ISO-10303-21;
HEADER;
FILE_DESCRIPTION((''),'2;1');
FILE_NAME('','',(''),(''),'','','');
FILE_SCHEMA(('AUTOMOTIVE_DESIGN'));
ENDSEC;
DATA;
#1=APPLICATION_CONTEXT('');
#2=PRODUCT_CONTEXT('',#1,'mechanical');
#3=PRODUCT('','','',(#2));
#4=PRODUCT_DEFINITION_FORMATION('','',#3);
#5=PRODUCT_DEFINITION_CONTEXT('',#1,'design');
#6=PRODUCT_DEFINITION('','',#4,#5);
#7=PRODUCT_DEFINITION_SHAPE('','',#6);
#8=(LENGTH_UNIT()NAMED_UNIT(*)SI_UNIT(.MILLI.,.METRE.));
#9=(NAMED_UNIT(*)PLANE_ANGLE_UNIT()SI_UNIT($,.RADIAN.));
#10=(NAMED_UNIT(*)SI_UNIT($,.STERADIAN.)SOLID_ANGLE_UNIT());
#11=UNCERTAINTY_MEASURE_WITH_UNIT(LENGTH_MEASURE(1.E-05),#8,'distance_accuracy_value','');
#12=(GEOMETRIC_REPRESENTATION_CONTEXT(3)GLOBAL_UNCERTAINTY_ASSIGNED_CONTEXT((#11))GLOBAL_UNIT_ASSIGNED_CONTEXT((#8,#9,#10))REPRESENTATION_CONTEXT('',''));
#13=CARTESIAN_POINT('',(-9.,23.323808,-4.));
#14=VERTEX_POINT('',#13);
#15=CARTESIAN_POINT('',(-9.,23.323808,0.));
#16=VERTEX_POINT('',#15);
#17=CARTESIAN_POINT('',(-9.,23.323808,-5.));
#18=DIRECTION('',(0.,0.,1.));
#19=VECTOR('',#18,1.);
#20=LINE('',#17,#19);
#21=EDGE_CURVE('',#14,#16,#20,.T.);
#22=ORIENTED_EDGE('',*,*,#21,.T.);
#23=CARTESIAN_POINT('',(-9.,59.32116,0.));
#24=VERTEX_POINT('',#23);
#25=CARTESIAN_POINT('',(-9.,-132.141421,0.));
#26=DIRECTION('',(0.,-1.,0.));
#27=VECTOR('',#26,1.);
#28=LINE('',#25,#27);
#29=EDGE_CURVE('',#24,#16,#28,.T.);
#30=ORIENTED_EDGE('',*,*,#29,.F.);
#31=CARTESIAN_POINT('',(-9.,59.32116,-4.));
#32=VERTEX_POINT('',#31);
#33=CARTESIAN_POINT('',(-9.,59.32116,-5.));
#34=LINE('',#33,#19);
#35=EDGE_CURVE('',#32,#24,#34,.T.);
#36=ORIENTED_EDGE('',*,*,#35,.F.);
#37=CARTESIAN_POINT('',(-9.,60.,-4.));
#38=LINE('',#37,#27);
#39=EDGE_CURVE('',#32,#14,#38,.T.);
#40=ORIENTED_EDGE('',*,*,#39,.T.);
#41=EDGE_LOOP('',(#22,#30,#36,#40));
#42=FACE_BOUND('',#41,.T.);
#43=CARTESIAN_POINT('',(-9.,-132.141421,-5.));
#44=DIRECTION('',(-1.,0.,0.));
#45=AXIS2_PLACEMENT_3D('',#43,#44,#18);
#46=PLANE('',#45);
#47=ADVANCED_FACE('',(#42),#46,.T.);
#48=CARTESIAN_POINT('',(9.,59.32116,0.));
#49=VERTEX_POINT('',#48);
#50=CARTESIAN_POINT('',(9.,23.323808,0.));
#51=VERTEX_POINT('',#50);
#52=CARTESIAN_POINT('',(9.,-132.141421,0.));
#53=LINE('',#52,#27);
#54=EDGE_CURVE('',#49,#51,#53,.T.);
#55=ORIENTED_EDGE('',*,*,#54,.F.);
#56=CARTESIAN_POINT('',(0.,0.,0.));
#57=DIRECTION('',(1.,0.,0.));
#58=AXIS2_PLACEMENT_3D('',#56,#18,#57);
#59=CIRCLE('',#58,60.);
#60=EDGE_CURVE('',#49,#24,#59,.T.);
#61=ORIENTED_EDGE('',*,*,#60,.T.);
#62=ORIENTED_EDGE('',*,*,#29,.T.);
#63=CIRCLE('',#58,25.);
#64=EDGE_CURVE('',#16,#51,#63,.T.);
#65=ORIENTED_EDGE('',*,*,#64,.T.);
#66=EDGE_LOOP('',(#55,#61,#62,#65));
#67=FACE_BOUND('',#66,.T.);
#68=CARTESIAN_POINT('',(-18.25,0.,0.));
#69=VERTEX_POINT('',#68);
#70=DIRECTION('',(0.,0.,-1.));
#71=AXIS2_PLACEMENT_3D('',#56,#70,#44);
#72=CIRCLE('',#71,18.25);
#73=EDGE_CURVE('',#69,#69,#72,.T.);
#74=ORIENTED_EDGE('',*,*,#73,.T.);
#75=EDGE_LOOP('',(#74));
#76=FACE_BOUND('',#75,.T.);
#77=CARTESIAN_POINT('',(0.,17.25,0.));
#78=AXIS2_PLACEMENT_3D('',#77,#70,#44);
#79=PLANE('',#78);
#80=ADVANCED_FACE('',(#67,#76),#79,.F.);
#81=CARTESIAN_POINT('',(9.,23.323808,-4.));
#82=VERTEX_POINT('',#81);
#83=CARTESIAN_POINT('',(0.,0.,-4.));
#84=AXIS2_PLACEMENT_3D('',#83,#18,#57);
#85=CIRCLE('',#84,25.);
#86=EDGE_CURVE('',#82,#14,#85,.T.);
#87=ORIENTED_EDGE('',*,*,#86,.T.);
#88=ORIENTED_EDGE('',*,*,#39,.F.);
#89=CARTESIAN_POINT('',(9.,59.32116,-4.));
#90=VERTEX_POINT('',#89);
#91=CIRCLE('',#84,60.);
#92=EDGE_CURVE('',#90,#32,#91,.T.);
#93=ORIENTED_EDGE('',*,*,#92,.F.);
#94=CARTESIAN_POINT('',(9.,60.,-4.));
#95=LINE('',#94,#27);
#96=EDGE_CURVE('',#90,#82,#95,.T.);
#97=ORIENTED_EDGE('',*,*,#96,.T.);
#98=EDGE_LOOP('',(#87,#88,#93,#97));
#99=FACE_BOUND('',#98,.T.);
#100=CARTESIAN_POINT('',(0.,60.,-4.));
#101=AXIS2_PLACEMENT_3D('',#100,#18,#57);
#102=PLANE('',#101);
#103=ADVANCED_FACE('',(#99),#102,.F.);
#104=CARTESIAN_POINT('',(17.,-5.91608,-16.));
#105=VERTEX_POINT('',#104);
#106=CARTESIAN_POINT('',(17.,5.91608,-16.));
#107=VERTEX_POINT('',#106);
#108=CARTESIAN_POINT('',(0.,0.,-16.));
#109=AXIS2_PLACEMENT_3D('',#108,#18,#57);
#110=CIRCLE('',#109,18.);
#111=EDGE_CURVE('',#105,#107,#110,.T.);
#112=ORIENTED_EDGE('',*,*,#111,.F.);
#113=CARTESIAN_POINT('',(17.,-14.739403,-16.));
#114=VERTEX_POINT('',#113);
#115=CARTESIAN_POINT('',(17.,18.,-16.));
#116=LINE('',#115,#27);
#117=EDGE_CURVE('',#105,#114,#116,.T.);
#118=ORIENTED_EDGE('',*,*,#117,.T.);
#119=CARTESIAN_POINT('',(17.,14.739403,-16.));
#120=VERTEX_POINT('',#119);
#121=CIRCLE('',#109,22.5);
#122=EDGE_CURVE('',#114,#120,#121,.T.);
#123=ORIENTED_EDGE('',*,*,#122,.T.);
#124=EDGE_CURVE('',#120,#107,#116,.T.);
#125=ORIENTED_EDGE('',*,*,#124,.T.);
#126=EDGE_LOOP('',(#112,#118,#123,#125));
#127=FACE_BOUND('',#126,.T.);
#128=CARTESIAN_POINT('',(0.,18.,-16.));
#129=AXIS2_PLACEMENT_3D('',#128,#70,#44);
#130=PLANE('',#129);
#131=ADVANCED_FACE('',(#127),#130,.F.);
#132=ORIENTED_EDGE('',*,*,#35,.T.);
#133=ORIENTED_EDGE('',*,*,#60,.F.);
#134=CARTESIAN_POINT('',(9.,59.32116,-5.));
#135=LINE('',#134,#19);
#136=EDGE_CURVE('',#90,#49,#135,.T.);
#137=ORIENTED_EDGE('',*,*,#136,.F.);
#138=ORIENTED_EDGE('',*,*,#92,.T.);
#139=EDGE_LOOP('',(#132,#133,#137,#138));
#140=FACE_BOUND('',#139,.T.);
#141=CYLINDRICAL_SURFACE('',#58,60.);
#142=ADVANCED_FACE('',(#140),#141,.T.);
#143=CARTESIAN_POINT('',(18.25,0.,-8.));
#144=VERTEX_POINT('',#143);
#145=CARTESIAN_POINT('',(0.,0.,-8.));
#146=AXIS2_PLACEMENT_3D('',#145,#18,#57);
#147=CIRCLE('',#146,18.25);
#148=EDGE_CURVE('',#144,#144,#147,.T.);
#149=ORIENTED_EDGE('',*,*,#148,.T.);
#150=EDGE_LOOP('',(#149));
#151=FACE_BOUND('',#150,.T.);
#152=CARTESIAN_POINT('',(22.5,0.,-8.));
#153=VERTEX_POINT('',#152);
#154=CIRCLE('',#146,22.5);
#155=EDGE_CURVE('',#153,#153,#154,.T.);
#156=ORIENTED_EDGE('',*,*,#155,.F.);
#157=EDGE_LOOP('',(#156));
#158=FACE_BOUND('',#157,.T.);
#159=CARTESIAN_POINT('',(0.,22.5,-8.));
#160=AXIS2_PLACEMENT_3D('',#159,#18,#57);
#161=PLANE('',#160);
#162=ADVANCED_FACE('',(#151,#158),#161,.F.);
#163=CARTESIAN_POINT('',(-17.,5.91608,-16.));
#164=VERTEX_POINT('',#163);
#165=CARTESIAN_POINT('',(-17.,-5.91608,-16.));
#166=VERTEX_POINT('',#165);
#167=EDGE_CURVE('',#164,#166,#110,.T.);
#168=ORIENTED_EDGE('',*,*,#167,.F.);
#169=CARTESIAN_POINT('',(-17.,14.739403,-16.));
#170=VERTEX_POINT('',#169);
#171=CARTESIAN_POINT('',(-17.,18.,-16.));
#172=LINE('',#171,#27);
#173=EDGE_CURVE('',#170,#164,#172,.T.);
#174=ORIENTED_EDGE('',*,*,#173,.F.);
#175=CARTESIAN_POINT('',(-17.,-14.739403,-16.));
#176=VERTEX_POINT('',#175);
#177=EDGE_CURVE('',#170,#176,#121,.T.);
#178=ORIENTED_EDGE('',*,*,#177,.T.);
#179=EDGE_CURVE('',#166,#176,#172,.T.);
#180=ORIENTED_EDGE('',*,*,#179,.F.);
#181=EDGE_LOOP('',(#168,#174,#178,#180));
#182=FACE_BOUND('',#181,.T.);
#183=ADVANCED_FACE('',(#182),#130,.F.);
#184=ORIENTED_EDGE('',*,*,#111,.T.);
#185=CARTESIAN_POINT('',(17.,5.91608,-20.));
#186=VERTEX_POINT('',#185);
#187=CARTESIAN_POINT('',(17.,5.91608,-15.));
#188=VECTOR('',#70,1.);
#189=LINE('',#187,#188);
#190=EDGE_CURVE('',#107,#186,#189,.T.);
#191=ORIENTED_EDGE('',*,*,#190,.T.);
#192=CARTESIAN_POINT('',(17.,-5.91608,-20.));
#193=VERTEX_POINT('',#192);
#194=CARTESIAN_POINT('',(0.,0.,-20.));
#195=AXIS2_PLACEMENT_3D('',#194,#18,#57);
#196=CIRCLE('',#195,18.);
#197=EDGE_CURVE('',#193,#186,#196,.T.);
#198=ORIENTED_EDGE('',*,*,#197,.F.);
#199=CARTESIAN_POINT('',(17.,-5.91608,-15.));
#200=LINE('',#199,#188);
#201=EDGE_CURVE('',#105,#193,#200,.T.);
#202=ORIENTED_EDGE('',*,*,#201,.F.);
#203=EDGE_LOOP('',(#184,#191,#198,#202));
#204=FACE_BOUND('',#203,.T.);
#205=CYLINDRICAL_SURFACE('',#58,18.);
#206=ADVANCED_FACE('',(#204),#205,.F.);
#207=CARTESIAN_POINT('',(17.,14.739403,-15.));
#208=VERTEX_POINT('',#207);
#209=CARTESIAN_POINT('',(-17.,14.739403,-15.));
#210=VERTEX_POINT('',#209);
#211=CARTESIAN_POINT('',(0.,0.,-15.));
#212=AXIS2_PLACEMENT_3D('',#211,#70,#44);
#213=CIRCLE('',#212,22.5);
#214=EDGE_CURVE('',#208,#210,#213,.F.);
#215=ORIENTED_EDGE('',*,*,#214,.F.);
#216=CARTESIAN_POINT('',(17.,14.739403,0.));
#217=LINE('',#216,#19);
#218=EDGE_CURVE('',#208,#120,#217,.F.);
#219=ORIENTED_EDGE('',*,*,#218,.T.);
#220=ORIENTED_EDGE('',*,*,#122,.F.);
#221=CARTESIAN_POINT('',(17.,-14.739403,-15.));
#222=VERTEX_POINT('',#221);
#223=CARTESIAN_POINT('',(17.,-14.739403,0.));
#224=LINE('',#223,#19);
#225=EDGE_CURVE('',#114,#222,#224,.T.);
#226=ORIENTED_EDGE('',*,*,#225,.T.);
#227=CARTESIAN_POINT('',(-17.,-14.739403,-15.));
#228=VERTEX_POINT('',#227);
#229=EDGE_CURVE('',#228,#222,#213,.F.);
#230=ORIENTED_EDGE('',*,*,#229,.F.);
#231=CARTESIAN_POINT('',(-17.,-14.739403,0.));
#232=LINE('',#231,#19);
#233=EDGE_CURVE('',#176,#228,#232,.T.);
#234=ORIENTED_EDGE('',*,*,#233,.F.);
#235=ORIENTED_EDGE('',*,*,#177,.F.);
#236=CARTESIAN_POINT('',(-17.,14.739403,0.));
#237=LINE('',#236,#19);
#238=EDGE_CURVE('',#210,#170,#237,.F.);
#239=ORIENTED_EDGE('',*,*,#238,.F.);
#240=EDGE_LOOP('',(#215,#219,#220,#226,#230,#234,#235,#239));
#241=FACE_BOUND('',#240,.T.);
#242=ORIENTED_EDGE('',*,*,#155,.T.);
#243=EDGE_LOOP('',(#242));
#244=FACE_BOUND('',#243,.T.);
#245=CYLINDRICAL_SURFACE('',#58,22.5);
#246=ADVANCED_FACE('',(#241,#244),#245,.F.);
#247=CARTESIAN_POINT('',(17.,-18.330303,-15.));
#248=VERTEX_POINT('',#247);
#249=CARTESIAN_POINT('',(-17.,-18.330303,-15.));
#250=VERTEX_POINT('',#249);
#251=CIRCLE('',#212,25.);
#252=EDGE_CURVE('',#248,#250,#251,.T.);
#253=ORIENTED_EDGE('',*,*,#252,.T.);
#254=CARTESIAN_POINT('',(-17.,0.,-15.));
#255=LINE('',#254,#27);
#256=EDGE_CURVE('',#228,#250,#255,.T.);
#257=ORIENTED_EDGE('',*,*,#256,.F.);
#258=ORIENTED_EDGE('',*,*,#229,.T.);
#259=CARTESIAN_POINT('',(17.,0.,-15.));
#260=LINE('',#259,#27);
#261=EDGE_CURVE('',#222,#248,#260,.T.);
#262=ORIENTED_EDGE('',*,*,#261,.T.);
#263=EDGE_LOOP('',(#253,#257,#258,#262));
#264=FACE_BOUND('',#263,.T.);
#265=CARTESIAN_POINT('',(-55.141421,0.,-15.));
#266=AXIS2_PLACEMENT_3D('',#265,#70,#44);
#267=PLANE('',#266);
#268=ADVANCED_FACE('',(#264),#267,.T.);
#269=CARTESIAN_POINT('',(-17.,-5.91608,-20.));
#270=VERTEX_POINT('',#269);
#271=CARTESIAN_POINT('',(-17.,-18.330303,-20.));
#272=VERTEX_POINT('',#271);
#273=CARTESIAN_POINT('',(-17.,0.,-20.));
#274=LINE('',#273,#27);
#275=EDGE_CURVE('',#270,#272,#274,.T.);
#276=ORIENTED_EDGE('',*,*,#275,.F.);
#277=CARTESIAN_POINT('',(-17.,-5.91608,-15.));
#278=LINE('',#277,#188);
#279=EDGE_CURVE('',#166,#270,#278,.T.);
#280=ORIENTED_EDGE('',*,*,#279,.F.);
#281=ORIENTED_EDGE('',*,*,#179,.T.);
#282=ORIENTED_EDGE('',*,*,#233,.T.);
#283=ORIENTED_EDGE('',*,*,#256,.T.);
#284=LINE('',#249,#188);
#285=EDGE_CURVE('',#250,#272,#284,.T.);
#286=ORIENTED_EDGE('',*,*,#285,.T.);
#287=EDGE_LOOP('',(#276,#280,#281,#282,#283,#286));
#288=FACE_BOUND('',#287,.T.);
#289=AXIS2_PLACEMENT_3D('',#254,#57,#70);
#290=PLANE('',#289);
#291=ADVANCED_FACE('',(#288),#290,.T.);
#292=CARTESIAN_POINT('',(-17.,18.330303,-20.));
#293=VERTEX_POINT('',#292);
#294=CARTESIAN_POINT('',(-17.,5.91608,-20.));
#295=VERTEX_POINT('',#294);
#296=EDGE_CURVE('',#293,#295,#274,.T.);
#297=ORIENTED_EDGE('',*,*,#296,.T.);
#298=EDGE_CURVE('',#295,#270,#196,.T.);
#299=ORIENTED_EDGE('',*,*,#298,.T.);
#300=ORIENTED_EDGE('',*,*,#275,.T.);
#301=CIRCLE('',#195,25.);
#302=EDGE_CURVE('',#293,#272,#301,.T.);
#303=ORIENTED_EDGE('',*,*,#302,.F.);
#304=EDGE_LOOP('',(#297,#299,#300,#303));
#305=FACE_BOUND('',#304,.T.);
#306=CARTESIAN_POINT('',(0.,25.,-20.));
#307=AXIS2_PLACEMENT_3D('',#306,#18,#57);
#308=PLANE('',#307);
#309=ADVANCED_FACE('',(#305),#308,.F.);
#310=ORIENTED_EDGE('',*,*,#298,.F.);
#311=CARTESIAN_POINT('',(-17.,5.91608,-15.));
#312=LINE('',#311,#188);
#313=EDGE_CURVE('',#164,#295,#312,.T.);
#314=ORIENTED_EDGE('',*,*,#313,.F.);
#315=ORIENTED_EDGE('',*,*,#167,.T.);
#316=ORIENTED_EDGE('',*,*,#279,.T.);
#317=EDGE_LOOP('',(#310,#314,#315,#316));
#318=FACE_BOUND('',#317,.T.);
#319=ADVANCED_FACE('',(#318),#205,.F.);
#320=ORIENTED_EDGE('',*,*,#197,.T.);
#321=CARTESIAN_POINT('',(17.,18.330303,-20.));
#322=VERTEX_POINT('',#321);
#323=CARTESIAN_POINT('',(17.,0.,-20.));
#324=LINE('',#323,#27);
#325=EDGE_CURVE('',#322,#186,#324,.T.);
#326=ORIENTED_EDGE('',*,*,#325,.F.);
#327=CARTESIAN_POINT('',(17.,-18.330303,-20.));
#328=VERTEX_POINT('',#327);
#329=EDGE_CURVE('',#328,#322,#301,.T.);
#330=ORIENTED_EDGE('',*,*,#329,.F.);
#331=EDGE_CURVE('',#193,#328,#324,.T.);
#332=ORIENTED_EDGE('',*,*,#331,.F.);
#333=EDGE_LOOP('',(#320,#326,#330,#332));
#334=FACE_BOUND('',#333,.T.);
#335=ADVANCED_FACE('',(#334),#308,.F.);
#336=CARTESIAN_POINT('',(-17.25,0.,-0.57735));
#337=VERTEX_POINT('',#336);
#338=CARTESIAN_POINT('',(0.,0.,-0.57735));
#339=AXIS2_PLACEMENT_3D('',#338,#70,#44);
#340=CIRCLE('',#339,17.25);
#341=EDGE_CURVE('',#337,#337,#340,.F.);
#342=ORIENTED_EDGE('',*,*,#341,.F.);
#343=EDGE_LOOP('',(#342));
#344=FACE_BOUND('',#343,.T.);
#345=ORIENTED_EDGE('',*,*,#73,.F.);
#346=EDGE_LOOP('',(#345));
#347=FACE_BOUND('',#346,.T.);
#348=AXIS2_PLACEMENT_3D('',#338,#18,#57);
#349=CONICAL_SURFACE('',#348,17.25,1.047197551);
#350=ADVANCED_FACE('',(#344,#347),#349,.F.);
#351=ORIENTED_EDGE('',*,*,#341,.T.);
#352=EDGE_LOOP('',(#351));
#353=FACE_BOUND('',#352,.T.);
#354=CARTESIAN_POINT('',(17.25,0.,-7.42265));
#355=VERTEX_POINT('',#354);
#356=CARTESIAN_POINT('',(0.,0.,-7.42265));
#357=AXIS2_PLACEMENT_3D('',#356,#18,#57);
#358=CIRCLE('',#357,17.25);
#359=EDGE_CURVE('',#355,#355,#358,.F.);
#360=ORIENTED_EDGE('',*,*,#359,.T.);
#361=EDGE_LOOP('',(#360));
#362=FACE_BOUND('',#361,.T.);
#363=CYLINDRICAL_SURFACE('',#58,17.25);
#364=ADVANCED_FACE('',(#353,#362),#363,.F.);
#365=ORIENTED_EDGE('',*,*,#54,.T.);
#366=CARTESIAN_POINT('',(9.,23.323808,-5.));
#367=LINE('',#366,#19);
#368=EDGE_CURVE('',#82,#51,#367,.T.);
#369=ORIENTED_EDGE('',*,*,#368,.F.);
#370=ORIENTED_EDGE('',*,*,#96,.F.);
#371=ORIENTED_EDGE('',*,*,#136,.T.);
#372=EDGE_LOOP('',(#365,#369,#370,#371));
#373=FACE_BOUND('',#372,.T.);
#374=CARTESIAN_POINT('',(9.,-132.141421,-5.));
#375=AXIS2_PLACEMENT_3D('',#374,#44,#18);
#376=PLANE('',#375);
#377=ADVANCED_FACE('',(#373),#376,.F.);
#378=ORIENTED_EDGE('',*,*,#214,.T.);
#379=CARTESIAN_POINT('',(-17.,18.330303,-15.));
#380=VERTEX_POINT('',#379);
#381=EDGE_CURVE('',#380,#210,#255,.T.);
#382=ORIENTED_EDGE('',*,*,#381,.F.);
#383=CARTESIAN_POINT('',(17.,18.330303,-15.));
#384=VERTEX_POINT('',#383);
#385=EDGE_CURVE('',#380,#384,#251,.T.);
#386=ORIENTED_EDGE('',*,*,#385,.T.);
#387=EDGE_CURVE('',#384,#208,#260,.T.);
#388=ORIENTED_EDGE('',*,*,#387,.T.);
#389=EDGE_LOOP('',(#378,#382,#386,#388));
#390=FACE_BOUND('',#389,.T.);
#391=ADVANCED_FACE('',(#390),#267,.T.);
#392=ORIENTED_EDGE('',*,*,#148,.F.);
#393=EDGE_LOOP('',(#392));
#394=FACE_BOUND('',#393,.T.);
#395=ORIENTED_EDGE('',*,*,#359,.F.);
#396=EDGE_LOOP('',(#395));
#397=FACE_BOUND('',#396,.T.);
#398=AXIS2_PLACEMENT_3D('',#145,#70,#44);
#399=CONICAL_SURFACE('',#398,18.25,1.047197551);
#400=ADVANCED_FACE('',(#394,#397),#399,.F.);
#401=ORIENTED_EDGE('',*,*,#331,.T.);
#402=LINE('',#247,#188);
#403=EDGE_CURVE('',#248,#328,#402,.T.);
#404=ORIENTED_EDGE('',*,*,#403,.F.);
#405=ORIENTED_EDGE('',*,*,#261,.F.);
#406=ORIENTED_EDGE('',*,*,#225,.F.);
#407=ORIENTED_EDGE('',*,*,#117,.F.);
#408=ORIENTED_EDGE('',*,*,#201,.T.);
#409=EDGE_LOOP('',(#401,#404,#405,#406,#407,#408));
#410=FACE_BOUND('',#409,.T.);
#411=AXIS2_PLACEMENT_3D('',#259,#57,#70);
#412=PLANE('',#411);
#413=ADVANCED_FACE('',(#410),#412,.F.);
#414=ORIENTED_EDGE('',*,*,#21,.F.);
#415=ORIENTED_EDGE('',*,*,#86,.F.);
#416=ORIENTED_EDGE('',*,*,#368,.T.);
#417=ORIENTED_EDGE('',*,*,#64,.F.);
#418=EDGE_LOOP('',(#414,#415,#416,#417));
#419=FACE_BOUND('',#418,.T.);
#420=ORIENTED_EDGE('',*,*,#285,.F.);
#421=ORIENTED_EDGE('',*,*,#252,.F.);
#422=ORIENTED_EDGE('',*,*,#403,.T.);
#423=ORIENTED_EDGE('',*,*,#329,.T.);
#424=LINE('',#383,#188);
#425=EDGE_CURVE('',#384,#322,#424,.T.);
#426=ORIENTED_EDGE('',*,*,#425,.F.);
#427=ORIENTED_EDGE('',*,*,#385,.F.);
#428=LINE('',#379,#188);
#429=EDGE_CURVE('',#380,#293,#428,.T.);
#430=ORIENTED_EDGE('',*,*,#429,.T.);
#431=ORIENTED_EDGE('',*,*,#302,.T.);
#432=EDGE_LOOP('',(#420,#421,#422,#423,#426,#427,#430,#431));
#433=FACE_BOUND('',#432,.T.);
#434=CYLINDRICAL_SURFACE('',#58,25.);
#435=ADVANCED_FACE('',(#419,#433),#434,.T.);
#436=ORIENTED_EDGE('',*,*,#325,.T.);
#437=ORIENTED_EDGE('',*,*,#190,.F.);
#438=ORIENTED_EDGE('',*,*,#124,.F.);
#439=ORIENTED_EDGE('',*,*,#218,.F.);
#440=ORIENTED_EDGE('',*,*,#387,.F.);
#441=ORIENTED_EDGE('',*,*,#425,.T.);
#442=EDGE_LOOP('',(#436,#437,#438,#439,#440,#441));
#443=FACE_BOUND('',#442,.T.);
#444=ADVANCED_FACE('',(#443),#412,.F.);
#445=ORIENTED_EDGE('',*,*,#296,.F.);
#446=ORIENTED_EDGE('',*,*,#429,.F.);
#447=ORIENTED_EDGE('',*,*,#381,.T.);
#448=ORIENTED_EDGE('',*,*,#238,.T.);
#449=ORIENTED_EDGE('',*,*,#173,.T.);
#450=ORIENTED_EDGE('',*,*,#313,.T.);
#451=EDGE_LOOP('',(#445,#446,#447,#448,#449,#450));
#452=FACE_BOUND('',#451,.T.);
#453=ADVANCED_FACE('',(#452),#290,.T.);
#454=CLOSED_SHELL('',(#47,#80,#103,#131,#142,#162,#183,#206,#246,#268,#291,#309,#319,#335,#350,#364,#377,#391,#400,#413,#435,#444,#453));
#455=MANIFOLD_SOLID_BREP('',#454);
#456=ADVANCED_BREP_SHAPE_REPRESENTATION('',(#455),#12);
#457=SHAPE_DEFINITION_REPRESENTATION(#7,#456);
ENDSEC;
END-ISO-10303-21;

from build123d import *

# Parameters (mm, degrees)
CHAMFER_1_SIZE         = 1
CHAMFER_1_SIZE2        = 0.577350269
CHAMFER_1_PART_2_SIZE  = 1
CHAMFER_1_PART_2_SIZE2 = 0.577350269
CUT_EXTRUDE_1_DEPTH    = 5
CUT_EXTRUDE_2_DEPTH    = 5


with BuildPart() as part:
    # Эскиз1 → Повернуть1 (revolve)
    with BuildSketch(Plane(origin=(0, 0, 0), x_dir=(0, 0, -1), z_dir=(1, 0, 0))):
        Polygon((0, 17.25), (0, 60), (4, 60), (4, 25), (20, 25), (20, 18), (16, 18), (16, 22.5), (8, 22.5), (8, 17.25), align=None)
    revolve(axis=Axis((0, 0, 0), (0, 0, -1)))

    # Фаска1
    chamfer_1_edges = [part.edges().sort_by_distance(p)[0] for p in [
        (0, -17.25, 0),
    ]]
    chamfer_1_side = [part.faces().sort_by_distance(p)[0] for p in [
        (0, -18.947056275, 0),
    ]]
    chamfer(chamfer_1_edges, length=CHAMFER_1_SIZE, length2=CHAMFER_1_SIZE2, reference=chamfer_1_side[0])

    # Фаска1 part 2
    chamfer_1_part_2_edges = [part.edges().sort_by_distance(p)[0] for p in [
        (0, -17.25, -8),
    ]]
    chamfer_1_part_2_side = [part.faces().sort_by_distance(p)[0] for p in [
        (0, -21.863603897, -8),
    ]]
    chamfer(chamfer_1_part_2_edges, length=CHAMFER_1_PART_2_SIZE, length2=CHAMFER_1_PART_2_SIZE2, reference=chamfer_1_part_2_side[0])

    # Эскиз2 → Вырез-Вытянуть1 (cut)
    with BuildSketch(Plane(origin=(0, 0, -20), x_dir=(-1, 0, 0), z_dir=(0, 0, -1))):
        with BuildLine():
            ThreePointArc((17, 18.33030278), (0, 25), (-17, 18.33030278))
            Line((-17, 18.33030278), (-17, 5.916079783))
            ThreePointArc((-17, 5.916079783), (0, 18), (17, 5.916079783))
            Line((17, 5.916079783), (17, 18.33030278))
        make_face()
        with BuildLine():
            Line((-17, -5.916079783), (-17, -18.33030278))
            ThreePointArc((-17, -18.33030278), (0, -25), (17, -18.33030278))
            Line((17, -18.33030278), (17, -5.916079783))
            ThreePointArc((17, -5.916079783), (0, -18), (-17, -5.916079783))
        make_face()
    extrude(amount=-CUT_EXTRUDE_1_DEPTH, mode=Mode.SUBTRACT)

    # Эскиз3 → Вырез-Вытянуть2 (cut)
    with BuildSketch(Plane.XY):
        with BuildLine():
            Line((-9, 23.323807579), (-9, 59.3211598))
            ThreePointArc((-9, 59.3211598), (-39.115214431, -45.497252664), (60, 0))
            ThreePointArc((60, 0), (45.497252664, 39.115214431), (9, 59.3211598))
            Line((9, 59.3211598), (9, 23.323807579))
            ThreePointArc((9, 23.323807579), (20.615528128, 14.142135624), (25, 0))
            ThreePointArc((25, 0), (-14.142135624, -20.615528128), (-9, 23.323807579))
        make_face()
    extrude(amount=-CUT_EXTRUDE_2_DEPTH, mode=Mode.SUBTRACT)


solid = part.part
